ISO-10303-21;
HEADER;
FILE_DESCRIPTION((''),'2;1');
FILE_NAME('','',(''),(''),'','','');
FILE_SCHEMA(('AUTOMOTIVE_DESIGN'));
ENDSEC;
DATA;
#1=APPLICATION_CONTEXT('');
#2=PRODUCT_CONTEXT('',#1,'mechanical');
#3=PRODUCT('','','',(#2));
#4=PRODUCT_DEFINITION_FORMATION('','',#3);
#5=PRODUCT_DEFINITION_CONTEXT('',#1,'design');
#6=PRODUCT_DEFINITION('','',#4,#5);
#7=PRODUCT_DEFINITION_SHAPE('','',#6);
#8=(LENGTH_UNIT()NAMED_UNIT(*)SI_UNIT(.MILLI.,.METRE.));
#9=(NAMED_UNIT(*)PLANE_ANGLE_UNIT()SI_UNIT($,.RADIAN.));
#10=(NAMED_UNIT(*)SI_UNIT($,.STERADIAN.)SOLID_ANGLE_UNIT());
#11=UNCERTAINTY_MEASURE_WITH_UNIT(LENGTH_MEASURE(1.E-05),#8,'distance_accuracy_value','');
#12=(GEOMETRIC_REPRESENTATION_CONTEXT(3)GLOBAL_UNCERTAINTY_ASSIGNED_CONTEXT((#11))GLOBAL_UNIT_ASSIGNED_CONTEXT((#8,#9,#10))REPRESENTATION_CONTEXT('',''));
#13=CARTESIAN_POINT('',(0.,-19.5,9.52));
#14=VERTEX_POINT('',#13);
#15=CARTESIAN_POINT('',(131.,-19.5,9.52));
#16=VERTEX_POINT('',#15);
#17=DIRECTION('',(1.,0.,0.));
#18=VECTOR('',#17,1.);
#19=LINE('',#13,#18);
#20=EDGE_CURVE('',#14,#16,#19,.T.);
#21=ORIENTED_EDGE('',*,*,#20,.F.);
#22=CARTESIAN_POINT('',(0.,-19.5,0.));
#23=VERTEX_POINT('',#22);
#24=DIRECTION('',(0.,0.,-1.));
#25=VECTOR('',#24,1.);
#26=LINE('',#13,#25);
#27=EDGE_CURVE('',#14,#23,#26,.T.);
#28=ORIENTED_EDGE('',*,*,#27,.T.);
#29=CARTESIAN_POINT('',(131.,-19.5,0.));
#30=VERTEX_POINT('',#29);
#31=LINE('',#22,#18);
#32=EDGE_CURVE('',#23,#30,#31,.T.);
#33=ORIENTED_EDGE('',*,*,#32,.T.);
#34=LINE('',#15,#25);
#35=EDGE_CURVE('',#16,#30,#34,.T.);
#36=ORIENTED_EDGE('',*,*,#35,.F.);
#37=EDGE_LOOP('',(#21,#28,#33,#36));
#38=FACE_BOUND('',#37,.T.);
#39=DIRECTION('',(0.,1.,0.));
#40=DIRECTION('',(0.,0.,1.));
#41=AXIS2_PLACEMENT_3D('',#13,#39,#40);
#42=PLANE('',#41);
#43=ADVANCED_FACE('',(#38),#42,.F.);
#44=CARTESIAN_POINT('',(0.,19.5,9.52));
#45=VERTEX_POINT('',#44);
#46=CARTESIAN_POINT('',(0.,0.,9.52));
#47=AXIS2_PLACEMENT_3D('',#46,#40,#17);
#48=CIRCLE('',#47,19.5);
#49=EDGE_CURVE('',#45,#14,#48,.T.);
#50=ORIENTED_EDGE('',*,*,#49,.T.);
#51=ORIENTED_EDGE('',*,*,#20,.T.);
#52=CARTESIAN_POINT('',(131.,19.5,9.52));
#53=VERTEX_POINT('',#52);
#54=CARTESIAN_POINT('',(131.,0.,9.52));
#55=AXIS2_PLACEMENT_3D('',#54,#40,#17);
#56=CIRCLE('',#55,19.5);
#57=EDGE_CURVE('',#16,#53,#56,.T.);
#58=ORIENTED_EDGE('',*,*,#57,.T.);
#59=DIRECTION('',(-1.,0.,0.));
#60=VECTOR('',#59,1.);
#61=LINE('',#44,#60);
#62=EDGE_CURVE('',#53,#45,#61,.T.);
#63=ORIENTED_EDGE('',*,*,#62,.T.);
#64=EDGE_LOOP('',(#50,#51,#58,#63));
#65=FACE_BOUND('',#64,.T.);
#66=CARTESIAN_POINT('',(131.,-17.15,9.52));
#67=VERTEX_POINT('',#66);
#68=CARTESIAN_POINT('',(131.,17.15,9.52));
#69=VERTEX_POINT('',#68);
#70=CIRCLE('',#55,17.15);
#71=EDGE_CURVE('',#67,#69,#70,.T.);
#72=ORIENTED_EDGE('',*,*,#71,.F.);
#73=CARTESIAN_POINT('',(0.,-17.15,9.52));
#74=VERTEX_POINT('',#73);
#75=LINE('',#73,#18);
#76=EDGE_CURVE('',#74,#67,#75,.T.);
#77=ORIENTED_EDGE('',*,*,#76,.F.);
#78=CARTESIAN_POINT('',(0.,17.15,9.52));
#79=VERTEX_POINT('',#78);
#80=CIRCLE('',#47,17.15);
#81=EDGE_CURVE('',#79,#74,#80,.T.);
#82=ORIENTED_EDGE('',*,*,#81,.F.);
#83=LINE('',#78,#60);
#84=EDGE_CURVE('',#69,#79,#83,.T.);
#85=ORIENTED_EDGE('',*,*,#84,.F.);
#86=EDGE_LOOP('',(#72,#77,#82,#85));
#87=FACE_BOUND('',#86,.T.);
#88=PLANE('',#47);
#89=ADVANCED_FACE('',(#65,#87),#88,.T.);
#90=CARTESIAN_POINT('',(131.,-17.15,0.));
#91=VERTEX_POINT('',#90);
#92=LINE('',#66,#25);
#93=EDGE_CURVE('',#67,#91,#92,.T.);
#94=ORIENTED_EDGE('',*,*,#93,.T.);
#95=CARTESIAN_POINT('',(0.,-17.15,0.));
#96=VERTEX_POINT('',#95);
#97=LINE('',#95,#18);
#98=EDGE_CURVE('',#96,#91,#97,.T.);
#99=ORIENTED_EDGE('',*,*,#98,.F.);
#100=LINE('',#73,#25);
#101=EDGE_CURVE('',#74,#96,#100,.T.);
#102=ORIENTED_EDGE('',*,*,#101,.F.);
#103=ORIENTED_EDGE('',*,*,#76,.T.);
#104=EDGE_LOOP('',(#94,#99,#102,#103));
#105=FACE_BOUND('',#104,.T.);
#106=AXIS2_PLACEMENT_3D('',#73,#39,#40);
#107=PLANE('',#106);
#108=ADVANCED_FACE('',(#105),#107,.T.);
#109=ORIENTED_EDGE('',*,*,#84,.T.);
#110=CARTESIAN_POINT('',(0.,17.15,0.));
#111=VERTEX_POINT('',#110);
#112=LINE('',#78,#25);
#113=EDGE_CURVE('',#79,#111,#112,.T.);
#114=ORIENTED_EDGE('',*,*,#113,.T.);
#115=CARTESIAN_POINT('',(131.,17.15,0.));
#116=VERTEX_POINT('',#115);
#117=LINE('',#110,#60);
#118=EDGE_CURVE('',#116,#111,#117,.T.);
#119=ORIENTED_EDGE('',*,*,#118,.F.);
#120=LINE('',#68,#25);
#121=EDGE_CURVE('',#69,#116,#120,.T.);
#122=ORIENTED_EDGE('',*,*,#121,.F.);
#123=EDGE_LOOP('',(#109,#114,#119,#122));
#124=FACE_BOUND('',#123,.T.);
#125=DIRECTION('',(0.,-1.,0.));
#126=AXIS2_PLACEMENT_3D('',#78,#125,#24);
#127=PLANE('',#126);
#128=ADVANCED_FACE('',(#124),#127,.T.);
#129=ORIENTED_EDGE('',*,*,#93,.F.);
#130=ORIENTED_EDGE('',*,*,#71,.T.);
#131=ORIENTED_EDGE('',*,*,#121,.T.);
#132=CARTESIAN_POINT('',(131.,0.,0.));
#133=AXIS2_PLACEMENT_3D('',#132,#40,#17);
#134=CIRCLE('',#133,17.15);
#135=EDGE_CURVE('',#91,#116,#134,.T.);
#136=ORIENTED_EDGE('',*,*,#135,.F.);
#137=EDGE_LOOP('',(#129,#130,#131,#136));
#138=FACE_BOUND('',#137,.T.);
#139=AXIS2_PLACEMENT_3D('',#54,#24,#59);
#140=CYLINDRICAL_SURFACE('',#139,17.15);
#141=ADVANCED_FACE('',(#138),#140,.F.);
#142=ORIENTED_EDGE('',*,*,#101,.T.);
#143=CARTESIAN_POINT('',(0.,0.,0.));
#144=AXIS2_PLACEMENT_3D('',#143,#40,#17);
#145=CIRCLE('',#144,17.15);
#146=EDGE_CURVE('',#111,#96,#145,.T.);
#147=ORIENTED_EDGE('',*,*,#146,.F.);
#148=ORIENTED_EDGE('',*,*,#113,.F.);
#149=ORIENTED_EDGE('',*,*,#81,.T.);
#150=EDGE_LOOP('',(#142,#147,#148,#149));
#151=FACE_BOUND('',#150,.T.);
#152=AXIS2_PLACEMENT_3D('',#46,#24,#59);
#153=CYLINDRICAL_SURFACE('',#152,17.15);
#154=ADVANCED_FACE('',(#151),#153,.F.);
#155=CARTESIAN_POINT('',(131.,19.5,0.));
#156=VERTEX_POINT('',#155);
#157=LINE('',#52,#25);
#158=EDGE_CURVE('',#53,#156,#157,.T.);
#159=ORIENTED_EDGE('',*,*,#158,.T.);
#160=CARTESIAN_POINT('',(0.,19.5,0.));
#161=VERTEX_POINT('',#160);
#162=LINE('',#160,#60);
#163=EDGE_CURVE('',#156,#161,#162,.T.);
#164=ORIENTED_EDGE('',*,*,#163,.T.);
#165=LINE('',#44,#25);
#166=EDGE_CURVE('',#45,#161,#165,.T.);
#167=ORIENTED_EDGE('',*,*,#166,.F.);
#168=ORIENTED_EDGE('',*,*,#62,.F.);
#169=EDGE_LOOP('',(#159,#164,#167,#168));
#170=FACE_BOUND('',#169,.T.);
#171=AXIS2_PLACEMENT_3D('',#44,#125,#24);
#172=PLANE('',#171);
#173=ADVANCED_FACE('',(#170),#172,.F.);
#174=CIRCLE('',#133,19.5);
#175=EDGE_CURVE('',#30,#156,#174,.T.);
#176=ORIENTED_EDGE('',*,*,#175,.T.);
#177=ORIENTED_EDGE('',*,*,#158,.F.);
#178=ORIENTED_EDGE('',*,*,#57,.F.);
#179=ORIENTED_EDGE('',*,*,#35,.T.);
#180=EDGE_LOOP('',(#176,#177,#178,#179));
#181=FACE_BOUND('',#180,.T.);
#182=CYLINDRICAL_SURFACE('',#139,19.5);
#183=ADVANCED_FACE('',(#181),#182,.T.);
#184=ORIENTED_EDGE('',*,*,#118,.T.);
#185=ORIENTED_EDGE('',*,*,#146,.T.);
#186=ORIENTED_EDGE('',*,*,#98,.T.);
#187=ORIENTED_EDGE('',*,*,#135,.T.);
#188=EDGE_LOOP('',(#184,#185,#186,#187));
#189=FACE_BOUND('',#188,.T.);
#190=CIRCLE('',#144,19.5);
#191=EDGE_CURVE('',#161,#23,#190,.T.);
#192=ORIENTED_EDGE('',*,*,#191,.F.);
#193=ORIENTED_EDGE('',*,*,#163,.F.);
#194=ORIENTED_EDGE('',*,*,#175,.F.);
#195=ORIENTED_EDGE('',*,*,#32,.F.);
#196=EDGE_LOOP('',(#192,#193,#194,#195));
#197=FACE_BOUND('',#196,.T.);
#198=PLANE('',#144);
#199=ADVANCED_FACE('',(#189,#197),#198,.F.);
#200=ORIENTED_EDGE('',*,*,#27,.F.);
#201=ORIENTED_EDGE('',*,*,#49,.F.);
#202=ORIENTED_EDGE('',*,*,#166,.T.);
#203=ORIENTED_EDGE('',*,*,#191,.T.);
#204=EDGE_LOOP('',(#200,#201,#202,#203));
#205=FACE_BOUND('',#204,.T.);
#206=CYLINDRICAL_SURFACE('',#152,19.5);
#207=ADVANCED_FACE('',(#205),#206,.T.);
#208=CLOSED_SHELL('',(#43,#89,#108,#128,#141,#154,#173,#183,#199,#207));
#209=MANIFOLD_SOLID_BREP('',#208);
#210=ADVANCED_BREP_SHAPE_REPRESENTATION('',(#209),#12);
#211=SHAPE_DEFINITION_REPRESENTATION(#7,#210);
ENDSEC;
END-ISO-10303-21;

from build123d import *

# Parameters (mm, degrees)
RESSALTO_EXTRUS_O1_DEPTH = 9.52


with BuildPart() as part:
    # Esboço1 → Ressalto-extrusão1 (new body)
    with BuildSketch(Plane.XY):
        with BuildLine():
            Line((0, 19.5), (131, 19.5))
            ThreePointArc((131, 19.5), (150.5, 0), (131, -19.5))
            Line((131, -19.5), (0, -19.5))
            ThreePointArc((0, -19.5), (-19.5, 0), (0, 19.5))
        make_face()
        with BuildLine():
            Line((0, 17.15), (131, 17.15))
            ThreePointArc((131, 17.15), (148.15, 0), (131, -17.15))
            Line((131, -17.15), (0, -17.15))
            ThreePointArc((0, -17.15), (-17.15, 0), (0, 17.15))
        make_face(mode=Mode.SUBTRACT)
    extrude(amount=RESSALTO_EXTRUS_O1_DEPTH)


solid = part.part
